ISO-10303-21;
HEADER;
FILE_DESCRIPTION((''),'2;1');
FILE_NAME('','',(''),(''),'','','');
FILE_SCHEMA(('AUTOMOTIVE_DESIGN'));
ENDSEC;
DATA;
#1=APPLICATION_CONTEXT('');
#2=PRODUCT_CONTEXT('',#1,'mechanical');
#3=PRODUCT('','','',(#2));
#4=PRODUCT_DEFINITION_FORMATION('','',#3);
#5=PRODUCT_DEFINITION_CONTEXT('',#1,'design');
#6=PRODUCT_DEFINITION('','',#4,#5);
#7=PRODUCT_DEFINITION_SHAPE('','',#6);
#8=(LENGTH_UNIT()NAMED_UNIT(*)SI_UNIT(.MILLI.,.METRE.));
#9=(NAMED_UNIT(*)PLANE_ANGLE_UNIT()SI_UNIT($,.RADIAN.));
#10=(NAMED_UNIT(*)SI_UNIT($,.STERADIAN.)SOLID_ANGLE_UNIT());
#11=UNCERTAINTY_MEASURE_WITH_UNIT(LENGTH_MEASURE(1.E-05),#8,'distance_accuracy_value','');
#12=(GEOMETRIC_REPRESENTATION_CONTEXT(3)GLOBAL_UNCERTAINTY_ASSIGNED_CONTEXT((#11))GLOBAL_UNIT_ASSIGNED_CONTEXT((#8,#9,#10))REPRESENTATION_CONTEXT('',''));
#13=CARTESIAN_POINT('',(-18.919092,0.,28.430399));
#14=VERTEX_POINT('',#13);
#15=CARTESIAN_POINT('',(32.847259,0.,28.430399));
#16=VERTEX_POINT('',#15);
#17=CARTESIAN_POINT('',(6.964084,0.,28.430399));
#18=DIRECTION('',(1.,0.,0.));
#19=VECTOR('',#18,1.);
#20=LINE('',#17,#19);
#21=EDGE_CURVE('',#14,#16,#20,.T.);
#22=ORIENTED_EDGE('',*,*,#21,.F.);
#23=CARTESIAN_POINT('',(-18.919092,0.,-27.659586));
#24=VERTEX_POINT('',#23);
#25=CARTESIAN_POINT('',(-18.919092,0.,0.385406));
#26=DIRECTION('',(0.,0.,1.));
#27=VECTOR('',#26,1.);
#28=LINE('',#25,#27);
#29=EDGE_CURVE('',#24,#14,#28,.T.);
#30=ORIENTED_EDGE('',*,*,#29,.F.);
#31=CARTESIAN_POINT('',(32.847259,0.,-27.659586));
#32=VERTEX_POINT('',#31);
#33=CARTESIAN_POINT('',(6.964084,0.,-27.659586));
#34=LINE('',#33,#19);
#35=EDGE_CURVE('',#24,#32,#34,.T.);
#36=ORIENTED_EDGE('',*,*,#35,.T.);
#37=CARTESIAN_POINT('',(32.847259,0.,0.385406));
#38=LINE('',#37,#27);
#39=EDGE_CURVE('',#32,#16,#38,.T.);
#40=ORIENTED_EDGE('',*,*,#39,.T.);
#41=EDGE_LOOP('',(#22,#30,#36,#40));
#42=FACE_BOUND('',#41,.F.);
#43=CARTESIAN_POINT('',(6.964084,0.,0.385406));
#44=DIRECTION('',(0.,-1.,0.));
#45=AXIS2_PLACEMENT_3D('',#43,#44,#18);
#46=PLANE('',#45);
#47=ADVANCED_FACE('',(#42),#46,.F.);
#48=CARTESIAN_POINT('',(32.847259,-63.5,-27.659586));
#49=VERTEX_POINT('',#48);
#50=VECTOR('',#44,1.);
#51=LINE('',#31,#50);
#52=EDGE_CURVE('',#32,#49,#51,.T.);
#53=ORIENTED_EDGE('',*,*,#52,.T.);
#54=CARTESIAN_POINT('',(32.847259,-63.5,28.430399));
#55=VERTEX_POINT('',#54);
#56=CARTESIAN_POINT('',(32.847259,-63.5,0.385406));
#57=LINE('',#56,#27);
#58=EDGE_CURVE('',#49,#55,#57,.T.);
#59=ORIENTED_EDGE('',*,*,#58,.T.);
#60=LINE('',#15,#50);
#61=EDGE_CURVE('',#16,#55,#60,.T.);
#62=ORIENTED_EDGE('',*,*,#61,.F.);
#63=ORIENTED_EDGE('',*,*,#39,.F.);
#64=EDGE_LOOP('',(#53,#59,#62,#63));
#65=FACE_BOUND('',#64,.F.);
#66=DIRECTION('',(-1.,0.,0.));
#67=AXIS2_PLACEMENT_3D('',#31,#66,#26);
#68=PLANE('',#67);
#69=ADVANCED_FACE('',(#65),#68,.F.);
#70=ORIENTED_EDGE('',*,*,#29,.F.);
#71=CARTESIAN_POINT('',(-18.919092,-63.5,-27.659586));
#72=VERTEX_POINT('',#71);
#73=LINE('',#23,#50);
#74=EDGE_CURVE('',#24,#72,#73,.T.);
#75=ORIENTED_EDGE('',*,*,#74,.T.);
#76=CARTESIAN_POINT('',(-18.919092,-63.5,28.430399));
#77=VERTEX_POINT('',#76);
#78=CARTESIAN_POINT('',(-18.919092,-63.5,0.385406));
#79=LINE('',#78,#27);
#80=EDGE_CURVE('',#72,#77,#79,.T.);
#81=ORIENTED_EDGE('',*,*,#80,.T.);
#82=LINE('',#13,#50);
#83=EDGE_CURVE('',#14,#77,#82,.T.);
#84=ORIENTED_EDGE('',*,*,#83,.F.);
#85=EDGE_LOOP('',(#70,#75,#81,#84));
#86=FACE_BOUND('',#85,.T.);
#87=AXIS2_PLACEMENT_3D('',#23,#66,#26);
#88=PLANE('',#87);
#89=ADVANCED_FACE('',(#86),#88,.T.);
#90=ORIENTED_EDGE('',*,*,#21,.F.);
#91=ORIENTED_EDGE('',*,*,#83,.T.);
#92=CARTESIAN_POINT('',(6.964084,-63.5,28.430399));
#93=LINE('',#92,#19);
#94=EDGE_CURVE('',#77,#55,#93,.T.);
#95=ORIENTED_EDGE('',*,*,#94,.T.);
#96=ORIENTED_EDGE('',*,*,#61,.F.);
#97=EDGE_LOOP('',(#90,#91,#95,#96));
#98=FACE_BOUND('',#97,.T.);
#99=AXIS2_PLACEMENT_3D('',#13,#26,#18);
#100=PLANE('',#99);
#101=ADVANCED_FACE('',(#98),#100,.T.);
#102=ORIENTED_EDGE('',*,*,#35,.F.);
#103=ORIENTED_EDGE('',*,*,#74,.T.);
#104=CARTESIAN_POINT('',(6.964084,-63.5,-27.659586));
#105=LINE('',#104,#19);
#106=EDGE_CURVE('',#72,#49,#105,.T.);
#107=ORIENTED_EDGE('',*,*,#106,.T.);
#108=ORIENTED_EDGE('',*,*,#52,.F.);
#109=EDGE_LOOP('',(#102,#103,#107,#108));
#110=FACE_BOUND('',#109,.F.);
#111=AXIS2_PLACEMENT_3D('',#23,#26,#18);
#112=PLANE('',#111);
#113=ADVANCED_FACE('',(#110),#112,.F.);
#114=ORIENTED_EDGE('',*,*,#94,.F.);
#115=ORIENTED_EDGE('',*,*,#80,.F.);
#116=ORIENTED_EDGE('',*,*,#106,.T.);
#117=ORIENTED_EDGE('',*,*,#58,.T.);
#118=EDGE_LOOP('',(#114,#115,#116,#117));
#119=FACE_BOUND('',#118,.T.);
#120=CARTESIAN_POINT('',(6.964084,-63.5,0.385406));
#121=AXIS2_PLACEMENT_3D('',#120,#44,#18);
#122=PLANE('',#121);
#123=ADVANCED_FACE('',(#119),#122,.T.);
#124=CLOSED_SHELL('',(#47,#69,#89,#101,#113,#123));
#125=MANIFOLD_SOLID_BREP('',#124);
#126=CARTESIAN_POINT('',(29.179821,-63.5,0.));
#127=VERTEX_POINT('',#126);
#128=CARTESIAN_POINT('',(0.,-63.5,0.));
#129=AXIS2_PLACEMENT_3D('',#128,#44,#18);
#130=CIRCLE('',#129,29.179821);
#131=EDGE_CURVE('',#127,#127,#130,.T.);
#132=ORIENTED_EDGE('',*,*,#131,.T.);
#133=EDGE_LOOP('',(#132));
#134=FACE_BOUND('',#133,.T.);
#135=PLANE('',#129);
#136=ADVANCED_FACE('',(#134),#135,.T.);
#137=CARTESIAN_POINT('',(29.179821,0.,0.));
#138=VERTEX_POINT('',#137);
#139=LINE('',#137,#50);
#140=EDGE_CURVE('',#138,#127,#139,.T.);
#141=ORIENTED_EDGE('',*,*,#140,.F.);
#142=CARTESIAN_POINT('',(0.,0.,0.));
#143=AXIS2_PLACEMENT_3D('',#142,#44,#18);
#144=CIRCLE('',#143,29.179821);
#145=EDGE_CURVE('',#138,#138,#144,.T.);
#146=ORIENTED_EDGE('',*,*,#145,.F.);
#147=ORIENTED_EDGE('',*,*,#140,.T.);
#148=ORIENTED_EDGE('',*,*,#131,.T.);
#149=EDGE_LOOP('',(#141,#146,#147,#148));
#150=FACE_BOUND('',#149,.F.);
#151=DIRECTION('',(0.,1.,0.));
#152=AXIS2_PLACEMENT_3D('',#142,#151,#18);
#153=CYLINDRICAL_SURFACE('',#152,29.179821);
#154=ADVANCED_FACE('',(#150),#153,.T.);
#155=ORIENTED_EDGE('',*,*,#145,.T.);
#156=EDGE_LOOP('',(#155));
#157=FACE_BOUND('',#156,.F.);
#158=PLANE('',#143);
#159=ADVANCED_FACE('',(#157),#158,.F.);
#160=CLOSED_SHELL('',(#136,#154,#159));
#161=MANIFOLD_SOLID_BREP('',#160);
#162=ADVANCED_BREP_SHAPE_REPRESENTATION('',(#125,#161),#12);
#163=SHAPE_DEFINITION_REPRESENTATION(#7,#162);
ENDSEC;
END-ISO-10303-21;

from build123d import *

# Parameters (mm, degrees)
F1_R     = 29.1798211312
F2_DEPTH = 63.5
F0_W     = 51.7663508654
F0_H     = 56.089984253


with BuildPart() as f2:
    # F1 (on face) → F2 (new body)
    with BuildSketch(Plane.XZ):
        Circle(F1_R)
    extrude(amount=F2_DEPTH)


with BuildPart() as f2b:
    # F0 (on Front) → F2, piece 2 (new body)
    with BuildSketch(Plane.XZ):
        with Locations((6.964083761, 0.3854064271)):
            Rectangle(F0_W, F0_H)
    extrude(amount=F2_DEPTH)


solid = Compound([f2.part, f2b.part])
